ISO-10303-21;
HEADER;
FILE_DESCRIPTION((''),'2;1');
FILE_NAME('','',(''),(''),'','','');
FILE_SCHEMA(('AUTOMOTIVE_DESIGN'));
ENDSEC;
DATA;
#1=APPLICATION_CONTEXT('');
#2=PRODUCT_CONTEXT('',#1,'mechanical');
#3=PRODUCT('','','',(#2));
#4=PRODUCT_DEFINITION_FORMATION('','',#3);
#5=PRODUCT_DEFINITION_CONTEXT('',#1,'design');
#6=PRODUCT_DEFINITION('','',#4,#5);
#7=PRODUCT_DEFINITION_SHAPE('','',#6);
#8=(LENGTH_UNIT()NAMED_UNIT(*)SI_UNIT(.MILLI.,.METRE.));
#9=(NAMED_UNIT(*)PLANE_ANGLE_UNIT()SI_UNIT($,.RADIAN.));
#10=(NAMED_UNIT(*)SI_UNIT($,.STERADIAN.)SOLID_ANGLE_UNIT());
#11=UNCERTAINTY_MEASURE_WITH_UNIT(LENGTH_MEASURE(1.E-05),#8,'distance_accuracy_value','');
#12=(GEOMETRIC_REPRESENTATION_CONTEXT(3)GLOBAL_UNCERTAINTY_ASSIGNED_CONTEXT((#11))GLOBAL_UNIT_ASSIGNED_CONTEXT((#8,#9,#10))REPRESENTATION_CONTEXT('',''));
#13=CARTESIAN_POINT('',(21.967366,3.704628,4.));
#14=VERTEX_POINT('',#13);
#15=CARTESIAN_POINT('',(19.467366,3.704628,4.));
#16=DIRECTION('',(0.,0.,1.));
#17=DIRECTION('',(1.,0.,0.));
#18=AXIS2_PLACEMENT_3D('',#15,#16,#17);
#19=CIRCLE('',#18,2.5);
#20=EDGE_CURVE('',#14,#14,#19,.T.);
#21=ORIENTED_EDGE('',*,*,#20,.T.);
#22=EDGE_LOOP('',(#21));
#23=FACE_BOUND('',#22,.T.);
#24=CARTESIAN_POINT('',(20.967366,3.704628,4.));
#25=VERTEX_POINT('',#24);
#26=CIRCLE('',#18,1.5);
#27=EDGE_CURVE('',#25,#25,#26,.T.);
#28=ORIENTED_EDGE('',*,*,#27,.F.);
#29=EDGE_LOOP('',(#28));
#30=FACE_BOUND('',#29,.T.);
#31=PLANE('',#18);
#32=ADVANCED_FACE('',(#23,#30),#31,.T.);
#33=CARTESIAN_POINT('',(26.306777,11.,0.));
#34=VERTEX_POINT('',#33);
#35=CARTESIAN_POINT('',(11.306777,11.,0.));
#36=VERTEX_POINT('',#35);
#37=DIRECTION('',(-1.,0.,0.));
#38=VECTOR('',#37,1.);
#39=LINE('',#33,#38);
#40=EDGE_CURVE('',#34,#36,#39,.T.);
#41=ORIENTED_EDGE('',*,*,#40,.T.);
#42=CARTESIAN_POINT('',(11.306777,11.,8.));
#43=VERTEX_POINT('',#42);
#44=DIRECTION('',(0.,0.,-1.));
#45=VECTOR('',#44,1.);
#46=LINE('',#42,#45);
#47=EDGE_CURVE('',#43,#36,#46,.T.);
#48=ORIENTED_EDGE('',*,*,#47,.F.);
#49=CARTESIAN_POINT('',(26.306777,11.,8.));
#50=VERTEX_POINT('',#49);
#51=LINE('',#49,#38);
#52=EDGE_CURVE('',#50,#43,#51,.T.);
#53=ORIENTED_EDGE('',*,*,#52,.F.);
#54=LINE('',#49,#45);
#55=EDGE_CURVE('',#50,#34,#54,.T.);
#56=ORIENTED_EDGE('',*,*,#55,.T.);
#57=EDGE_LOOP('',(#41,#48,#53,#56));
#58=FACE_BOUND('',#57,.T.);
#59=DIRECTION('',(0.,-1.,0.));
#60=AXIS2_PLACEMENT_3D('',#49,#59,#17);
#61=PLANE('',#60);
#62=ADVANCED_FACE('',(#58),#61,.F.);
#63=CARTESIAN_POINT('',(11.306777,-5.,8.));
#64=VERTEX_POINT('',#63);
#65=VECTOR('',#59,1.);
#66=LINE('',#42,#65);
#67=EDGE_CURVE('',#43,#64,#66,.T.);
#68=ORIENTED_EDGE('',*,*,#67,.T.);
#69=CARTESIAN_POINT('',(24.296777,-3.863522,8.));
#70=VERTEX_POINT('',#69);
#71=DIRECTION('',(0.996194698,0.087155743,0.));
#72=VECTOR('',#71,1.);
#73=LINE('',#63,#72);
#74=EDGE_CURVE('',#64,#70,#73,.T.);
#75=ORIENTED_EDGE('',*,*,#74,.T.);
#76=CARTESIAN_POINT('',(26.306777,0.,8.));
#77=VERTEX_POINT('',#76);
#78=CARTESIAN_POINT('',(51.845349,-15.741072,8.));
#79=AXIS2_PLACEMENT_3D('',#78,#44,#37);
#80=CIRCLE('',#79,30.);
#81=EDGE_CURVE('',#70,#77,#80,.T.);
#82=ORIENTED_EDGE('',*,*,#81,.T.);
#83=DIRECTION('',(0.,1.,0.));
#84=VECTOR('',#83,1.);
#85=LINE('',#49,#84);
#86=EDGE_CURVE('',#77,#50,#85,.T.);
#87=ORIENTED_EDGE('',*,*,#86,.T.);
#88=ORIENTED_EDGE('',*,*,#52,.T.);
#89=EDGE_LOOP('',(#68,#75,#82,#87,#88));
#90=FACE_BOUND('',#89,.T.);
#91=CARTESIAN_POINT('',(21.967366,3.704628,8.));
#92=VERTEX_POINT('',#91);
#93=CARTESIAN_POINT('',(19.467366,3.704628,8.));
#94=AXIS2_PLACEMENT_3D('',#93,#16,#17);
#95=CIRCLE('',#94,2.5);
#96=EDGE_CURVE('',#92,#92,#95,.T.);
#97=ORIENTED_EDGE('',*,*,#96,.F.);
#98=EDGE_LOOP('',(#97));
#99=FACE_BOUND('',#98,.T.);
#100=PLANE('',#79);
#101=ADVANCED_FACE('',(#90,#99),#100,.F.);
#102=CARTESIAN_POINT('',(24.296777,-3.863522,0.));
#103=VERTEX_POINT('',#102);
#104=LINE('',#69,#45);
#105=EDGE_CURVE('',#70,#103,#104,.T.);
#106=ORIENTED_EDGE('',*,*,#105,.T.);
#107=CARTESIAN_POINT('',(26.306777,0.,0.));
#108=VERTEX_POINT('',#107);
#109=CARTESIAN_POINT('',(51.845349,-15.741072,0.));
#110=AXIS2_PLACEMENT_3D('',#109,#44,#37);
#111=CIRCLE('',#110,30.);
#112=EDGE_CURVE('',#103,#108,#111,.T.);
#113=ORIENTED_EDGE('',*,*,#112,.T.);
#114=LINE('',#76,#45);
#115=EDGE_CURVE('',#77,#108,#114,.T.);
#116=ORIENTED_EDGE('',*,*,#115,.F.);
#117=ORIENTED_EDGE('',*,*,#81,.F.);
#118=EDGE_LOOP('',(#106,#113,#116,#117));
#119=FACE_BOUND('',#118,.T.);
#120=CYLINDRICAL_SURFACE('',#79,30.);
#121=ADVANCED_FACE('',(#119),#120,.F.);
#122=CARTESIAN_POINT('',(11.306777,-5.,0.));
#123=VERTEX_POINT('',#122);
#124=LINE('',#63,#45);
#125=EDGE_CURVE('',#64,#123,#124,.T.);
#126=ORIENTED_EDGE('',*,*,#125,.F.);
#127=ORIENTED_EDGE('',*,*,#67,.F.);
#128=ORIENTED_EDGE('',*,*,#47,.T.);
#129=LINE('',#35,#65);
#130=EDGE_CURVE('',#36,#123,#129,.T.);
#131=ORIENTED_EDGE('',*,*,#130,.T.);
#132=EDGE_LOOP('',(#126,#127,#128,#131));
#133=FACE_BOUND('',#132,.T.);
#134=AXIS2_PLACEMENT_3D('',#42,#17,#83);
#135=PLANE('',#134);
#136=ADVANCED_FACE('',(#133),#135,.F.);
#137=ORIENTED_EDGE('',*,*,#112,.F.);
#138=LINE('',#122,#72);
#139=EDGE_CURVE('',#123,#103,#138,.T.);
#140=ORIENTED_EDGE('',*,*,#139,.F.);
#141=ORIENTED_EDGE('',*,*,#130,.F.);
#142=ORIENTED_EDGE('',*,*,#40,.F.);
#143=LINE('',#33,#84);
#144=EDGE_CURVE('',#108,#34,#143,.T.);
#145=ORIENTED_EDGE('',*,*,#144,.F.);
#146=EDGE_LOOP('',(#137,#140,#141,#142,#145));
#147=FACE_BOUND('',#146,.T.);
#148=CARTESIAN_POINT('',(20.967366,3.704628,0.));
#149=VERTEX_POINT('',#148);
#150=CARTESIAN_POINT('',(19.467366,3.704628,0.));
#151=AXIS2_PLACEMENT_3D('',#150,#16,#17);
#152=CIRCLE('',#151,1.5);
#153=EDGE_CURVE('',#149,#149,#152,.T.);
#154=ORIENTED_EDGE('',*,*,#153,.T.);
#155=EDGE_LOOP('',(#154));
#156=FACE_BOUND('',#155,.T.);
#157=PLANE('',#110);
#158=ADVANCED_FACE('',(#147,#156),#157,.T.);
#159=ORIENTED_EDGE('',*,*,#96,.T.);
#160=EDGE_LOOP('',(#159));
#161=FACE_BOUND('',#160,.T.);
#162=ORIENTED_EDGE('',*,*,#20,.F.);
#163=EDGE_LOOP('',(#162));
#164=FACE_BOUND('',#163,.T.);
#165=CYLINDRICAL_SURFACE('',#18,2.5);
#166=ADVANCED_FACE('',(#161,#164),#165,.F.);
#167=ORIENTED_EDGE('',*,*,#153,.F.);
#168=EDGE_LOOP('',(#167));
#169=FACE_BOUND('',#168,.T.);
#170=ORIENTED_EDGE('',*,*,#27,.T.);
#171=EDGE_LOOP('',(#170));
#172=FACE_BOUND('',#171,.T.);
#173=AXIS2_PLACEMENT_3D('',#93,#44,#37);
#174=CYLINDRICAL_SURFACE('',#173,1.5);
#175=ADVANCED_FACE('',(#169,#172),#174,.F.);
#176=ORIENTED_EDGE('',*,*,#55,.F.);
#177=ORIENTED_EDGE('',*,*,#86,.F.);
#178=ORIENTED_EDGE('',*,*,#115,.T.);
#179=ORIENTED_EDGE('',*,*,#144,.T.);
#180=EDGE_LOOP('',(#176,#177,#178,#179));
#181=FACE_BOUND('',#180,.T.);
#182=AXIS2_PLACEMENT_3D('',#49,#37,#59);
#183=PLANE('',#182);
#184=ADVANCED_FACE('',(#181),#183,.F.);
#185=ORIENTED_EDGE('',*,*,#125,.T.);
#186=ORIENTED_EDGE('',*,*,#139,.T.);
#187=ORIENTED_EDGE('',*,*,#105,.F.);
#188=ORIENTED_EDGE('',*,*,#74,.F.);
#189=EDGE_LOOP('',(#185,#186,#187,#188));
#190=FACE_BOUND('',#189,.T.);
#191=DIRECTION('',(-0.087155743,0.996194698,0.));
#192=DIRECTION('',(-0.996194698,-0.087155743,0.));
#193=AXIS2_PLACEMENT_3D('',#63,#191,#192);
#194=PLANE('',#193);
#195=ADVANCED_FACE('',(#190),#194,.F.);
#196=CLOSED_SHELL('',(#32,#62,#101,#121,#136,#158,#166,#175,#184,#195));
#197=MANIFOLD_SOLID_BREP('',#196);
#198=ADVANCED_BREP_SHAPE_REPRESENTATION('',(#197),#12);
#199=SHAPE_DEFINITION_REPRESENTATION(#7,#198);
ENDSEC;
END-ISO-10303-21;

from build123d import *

# Parameters (mm, degrees)
SKETCH_1_R          = 1.5
EXTRUDE_1_DEPTH     = 8
SKETCH_2_R          = 2.5
CUT_EXTRUDE_1_DEPTH = 4


with BuildPart() as part:
    # 草图1 → 凸台-拉伸1 (new body)
    with BuildSketch(Plane.XY):
        with BuildLine():
            Line((26.30677697, 11), (26.30677697, 0))
            ThreePointArc((26.30677697, 0), (25.231575927, -1.895238991), (24.29677697, -3.863522261))
            Line((24.29677697, -3.863522261), (11.30677697, -5))
            Line((11.30677697, -5), (11.30677697, 11))
            Line((11.30677697, 11), (26.30677697, 11))
        make_face()
        with Locations((19.467365682, 3.704627959)):
            Circle(SKETCH_1_R, mode=Mode.SUBTRACT)
    extrude(amount=EXTRUDE_1_DEPTH)

    # 草图2 → 切除-拉伸1 (cut)
    with BuildSketch(Plane.XY.offset(8)):
        with Locations((19.467365682, 3.704627959)):
            Circle(SKETCH_2_R)
    extrude(amount=-CUT_EXTRUDE_1_DEPTH, mode=Mode.SUBTRACT)


solid = part.part
